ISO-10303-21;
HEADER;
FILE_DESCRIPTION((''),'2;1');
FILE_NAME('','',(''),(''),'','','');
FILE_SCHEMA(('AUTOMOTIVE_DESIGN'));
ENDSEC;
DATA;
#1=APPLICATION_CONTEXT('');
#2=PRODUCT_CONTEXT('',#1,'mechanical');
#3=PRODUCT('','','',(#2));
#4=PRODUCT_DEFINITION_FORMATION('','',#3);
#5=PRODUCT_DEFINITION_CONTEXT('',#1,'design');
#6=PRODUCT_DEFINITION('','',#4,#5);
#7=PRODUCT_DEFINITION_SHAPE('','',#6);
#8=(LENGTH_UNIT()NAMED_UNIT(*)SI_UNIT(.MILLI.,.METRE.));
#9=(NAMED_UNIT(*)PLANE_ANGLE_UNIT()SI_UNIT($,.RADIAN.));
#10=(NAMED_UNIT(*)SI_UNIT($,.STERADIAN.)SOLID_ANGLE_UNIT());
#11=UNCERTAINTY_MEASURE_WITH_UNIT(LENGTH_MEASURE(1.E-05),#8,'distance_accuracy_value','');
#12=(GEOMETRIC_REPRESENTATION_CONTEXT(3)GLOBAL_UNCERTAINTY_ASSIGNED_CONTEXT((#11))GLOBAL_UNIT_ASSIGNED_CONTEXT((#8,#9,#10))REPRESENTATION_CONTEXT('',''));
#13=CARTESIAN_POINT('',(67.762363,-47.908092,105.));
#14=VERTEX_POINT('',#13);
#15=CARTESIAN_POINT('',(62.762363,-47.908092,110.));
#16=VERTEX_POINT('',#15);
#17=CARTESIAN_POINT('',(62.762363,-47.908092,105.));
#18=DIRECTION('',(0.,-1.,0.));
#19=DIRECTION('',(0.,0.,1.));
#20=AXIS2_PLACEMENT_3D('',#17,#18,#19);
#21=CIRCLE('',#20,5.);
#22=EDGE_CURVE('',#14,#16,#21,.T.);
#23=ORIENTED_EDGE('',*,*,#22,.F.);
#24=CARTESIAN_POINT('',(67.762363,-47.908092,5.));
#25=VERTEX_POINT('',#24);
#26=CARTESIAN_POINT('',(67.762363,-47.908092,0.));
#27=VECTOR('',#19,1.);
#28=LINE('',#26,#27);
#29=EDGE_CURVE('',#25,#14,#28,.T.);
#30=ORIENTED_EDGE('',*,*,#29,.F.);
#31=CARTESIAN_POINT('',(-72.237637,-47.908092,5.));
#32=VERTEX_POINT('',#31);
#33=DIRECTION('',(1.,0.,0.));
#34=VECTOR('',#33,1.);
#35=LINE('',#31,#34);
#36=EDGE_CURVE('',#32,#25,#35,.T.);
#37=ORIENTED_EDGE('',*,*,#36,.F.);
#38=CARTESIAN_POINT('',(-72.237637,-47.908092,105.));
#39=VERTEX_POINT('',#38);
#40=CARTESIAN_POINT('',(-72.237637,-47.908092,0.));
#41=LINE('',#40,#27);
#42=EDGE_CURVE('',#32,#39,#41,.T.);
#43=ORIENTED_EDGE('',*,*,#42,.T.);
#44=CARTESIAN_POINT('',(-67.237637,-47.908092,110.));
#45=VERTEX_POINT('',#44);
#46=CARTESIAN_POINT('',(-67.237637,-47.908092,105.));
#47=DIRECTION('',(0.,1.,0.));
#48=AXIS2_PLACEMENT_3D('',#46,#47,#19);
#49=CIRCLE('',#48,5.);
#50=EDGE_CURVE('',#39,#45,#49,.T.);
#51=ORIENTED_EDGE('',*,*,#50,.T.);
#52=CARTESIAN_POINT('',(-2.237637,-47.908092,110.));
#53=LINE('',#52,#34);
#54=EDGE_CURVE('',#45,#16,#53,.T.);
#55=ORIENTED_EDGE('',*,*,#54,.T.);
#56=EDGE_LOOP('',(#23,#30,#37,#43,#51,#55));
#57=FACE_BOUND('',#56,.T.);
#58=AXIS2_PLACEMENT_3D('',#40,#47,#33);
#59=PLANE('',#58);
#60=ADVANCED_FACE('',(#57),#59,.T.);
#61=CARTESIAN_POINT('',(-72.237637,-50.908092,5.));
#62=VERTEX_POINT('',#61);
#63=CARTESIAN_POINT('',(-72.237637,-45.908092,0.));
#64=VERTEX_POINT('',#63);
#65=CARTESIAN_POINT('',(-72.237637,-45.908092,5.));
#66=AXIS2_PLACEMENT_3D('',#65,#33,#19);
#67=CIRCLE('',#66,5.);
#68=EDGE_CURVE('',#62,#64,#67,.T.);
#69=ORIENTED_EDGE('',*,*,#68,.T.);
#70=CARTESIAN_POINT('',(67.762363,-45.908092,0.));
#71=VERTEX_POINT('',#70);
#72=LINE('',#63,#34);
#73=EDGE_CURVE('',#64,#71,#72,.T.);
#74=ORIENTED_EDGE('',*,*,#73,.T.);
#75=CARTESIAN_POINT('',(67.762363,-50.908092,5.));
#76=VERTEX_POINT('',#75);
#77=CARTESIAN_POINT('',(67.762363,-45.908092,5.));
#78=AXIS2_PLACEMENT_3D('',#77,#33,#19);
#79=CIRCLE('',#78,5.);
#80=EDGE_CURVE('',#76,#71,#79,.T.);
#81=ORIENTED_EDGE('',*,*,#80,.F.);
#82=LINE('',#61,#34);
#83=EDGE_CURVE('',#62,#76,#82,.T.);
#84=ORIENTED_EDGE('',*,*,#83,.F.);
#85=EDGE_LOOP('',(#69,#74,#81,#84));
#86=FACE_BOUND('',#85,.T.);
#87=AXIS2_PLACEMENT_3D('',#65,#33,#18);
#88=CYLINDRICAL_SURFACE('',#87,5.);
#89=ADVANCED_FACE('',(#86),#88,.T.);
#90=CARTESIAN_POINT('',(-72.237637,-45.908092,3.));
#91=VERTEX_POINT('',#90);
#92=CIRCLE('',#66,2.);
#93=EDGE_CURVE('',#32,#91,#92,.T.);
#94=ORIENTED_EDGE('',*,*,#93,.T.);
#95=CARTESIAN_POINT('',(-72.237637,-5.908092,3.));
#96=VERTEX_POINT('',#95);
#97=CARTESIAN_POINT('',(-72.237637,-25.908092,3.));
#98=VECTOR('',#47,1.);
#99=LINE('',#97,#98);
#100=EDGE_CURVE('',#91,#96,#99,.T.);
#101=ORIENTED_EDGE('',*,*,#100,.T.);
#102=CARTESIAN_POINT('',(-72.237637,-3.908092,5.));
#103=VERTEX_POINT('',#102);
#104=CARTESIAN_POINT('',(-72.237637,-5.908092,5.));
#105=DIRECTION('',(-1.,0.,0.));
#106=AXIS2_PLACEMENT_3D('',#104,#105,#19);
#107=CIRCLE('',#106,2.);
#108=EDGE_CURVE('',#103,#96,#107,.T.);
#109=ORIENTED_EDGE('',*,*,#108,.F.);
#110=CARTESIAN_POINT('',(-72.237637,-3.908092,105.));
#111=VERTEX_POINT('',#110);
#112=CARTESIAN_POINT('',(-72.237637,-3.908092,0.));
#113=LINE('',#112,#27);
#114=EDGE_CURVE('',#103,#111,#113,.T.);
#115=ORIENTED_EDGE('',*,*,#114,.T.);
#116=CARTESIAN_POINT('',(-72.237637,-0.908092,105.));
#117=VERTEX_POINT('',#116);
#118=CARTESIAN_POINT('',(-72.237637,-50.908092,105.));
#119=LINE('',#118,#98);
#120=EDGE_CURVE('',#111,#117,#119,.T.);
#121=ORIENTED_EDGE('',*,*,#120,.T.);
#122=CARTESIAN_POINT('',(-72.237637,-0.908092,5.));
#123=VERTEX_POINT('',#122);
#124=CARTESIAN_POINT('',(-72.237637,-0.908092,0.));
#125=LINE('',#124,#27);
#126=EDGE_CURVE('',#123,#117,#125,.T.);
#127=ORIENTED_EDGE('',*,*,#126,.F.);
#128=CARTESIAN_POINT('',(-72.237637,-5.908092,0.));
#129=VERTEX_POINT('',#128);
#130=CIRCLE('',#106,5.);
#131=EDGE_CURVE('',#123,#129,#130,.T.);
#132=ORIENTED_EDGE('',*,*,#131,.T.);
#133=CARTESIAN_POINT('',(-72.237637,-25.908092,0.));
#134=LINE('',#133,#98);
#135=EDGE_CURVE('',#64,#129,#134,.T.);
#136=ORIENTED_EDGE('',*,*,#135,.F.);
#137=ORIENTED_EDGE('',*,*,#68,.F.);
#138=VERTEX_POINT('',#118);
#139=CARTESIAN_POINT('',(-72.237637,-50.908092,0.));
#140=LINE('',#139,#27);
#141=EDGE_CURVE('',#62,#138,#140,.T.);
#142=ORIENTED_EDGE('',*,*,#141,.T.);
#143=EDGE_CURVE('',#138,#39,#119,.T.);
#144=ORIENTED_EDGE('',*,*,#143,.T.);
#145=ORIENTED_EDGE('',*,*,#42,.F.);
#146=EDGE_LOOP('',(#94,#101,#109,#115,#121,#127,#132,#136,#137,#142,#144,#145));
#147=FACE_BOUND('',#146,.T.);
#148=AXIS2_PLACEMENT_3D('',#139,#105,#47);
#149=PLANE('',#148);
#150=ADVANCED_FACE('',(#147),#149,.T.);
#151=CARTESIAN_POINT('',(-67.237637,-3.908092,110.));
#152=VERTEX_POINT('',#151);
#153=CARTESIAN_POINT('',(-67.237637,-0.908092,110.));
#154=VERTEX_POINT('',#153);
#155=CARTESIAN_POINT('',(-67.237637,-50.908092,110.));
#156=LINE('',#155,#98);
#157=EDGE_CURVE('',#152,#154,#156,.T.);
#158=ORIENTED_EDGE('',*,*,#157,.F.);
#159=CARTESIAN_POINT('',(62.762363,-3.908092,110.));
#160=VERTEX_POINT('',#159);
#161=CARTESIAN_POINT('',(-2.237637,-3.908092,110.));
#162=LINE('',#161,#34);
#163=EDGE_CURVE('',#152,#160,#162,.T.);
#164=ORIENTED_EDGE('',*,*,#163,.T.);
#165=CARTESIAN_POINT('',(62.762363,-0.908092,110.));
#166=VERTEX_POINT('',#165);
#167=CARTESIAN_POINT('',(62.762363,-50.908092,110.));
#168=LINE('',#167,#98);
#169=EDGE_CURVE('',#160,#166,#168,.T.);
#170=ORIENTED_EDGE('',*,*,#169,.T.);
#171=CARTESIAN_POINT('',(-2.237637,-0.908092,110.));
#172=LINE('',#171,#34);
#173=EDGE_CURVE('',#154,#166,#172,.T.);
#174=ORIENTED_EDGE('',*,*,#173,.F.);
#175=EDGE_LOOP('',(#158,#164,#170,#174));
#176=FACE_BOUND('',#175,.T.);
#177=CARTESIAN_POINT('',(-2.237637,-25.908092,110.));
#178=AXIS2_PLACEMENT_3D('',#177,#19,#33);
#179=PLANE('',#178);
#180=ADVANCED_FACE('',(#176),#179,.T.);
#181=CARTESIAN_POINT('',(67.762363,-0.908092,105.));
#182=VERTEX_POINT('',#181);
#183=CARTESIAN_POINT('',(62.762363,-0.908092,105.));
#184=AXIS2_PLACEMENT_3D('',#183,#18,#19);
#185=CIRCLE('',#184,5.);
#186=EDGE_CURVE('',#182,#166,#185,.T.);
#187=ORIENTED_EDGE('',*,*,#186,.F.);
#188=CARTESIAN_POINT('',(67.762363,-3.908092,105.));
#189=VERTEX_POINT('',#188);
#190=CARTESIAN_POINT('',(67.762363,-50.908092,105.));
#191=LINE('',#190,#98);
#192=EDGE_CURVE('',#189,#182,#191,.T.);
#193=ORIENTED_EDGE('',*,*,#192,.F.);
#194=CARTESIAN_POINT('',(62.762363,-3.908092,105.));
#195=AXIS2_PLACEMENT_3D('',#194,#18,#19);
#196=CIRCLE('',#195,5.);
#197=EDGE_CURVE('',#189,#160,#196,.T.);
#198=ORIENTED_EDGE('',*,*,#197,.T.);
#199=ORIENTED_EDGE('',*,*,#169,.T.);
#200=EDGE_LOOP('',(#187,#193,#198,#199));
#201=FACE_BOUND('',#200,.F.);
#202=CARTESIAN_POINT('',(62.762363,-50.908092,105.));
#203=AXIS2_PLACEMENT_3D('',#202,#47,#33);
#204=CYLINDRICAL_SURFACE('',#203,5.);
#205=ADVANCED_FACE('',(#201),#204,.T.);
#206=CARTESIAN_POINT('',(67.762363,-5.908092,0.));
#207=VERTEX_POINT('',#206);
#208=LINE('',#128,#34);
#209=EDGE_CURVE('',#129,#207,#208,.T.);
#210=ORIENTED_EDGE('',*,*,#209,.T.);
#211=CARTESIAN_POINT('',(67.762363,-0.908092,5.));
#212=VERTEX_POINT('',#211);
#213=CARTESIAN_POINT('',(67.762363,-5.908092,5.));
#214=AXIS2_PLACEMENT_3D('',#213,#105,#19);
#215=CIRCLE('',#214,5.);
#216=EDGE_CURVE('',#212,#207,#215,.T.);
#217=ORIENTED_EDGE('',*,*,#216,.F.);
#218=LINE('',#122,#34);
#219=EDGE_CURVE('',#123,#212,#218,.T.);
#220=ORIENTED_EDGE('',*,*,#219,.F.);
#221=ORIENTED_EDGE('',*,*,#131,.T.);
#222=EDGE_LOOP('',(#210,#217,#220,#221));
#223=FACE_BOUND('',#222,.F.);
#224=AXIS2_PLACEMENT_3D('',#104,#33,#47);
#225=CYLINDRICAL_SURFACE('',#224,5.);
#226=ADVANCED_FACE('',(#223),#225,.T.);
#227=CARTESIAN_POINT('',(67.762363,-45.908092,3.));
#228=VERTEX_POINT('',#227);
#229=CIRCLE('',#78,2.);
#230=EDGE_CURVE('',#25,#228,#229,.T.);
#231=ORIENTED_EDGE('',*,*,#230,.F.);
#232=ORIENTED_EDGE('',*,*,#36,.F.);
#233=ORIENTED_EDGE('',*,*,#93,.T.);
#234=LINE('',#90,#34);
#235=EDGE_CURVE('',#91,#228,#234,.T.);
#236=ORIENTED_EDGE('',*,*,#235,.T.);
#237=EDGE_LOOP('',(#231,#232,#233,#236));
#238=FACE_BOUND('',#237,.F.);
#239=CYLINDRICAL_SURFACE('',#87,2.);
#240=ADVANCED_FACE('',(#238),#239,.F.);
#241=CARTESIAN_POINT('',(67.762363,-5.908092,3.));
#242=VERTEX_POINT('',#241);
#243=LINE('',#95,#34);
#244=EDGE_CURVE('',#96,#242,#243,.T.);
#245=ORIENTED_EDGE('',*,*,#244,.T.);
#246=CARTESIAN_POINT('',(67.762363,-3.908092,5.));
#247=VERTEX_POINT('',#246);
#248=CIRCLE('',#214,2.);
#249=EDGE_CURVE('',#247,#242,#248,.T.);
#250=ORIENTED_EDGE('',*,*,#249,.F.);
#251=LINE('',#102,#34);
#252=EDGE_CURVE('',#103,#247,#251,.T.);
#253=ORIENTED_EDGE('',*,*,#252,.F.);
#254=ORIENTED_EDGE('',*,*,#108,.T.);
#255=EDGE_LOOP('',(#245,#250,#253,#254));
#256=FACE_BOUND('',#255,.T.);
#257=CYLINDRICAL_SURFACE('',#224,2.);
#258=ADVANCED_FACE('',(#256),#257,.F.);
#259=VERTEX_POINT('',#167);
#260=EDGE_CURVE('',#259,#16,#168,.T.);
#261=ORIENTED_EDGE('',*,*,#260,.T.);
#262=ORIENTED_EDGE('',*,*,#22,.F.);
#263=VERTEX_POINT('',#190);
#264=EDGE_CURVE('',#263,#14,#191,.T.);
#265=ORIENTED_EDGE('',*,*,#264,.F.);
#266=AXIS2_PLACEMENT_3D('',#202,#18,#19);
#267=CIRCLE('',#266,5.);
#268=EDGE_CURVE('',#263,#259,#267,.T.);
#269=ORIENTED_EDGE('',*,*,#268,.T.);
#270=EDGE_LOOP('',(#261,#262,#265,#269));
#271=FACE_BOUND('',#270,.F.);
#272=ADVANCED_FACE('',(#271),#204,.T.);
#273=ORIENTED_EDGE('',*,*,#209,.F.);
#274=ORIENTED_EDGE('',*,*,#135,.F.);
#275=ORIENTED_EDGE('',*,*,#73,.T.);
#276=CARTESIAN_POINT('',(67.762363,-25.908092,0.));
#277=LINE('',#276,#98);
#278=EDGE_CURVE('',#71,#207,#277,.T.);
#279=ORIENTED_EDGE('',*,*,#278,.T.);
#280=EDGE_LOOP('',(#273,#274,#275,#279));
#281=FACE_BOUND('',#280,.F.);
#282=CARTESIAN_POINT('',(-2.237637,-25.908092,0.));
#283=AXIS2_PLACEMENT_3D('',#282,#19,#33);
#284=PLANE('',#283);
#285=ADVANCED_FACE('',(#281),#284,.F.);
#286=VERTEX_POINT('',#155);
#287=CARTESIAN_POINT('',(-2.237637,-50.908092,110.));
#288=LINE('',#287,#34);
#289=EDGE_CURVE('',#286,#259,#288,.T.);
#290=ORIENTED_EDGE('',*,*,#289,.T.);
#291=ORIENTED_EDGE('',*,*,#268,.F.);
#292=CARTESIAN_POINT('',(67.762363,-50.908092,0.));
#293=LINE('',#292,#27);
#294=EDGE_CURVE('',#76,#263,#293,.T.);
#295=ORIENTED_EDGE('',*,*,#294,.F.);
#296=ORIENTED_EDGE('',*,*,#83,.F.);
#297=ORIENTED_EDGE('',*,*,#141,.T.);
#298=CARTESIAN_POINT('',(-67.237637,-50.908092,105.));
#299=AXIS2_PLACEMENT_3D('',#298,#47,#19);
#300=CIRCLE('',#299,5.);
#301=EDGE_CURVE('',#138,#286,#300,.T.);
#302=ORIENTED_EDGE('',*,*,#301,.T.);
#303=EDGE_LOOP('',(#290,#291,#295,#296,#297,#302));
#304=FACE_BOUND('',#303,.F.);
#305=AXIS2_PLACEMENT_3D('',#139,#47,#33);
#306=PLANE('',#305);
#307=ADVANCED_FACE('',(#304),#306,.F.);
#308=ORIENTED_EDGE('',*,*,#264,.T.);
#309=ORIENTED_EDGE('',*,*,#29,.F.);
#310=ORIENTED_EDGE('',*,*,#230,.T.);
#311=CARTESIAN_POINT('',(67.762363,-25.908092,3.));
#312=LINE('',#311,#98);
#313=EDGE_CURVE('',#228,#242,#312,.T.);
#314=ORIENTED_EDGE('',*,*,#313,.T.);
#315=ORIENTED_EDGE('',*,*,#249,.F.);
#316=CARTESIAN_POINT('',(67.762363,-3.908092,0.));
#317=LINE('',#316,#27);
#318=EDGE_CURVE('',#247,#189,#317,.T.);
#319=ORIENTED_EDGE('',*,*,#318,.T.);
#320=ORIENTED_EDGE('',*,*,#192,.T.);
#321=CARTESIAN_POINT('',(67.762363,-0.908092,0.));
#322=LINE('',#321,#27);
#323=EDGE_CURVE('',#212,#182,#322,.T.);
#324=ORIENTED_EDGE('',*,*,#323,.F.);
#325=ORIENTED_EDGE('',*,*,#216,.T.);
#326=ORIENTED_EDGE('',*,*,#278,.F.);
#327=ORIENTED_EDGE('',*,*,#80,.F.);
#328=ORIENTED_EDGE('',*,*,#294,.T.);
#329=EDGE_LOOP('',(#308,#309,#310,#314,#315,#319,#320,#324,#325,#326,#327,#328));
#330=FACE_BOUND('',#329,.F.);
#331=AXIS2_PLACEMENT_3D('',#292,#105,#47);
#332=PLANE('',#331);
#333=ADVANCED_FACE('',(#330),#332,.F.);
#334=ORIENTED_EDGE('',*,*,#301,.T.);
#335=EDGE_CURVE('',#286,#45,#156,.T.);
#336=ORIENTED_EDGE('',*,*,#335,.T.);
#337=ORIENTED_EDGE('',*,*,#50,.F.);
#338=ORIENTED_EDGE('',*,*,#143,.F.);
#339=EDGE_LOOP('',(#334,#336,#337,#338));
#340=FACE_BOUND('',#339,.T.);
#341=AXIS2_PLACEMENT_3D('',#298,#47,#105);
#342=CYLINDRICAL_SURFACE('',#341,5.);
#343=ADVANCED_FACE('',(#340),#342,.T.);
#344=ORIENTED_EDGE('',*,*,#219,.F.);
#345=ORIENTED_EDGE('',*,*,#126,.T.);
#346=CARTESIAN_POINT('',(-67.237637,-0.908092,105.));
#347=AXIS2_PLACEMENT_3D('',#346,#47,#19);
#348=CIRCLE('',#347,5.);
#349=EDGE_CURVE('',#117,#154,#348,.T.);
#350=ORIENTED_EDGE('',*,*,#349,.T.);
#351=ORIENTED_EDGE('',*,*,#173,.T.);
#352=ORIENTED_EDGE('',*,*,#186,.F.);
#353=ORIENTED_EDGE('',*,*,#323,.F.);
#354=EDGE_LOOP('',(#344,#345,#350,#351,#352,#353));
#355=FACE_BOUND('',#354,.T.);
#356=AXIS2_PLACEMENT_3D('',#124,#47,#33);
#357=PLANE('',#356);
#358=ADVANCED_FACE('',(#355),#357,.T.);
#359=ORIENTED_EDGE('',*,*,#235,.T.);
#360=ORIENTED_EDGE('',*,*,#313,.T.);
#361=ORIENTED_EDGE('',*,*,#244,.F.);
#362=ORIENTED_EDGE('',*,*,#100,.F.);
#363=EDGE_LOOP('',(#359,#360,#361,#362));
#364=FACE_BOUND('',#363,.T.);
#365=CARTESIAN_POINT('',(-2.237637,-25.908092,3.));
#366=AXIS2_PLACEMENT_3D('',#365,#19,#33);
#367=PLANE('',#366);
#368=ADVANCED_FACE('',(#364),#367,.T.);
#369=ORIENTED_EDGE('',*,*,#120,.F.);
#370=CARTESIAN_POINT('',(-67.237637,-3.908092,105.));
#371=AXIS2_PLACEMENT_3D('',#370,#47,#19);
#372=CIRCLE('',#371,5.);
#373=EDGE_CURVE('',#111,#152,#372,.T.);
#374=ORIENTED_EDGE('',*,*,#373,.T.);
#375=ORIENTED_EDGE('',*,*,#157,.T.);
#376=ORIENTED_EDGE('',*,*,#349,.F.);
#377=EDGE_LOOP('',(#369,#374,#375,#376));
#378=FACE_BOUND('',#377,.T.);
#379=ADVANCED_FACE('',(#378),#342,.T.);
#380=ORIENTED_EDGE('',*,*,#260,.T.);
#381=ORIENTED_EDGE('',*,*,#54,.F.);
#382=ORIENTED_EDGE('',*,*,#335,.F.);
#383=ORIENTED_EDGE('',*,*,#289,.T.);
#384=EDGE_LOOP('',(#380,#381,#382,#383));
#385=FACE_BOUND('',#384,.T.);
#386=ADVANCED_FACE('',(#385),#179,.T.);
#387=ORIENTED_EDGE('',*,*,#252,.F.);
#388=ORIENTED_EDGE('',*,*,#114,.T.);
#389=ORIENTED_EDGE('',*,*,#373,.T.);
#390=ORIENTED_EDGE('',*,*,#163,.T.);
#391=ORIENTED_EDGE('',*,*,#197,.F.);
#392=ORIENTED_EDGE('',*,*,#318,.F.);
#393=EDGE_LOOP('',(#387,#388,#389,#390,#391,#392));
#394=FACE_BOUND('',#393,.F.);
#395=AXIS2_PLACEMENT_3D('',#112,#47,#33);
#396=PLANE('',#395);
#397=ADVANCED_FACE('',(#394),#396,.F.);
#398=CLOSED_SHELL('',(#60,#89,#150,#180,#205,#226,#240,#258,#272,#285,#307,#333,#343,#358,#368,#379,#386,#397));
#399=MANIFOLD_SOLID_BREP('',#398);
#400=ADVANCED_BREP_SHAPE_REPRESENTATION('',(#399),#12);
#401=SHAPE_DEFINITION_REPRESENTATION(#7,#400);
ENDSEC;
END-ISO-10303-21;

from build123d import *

# Parameters (mm, degrees)
F0_W     = 140
F0_H     = 50
F1_DEPTH = 110
F2_R     = 5
F3_T     = -3


with BuildPart() as f1:
    # F0 (on Top) → F1 (new body)
    with BuildSketch(Plane.XY):
        with Locations((-2.237636596, -25.9080916599)):
            Rectangle(F0_W, F0_H)
    extrude(amount=F1_DEPTH)

    # F2
    f2_edges = [f1.edges().sort_by_distance(p)[0] for p in [
        (-72.237637, -25.908092, 110),
        (67.762363, -25.908092, 110),
        (-2.237637, -50.908092, 0),
        (-2.237637, -0.908092, 0),
    ]]
    fillet(f2_edges, radius=F2_R)

    # F3
    f3_openings = [f1.faces().sort_by_distance(p)[0] for p in [
        (67.762363, -25.908092, 52.605233),
        (66.297897, -25.908092, 108.535534),
        (-2.237637, -25.908092, 110),
        (-70.773171, -25.908092, 108.535534),
        (-72.237637, -25.908092, 52.605233),
    ]]
    offset(amount=F3_T, openings=f3_openings)


solid = f1.part
